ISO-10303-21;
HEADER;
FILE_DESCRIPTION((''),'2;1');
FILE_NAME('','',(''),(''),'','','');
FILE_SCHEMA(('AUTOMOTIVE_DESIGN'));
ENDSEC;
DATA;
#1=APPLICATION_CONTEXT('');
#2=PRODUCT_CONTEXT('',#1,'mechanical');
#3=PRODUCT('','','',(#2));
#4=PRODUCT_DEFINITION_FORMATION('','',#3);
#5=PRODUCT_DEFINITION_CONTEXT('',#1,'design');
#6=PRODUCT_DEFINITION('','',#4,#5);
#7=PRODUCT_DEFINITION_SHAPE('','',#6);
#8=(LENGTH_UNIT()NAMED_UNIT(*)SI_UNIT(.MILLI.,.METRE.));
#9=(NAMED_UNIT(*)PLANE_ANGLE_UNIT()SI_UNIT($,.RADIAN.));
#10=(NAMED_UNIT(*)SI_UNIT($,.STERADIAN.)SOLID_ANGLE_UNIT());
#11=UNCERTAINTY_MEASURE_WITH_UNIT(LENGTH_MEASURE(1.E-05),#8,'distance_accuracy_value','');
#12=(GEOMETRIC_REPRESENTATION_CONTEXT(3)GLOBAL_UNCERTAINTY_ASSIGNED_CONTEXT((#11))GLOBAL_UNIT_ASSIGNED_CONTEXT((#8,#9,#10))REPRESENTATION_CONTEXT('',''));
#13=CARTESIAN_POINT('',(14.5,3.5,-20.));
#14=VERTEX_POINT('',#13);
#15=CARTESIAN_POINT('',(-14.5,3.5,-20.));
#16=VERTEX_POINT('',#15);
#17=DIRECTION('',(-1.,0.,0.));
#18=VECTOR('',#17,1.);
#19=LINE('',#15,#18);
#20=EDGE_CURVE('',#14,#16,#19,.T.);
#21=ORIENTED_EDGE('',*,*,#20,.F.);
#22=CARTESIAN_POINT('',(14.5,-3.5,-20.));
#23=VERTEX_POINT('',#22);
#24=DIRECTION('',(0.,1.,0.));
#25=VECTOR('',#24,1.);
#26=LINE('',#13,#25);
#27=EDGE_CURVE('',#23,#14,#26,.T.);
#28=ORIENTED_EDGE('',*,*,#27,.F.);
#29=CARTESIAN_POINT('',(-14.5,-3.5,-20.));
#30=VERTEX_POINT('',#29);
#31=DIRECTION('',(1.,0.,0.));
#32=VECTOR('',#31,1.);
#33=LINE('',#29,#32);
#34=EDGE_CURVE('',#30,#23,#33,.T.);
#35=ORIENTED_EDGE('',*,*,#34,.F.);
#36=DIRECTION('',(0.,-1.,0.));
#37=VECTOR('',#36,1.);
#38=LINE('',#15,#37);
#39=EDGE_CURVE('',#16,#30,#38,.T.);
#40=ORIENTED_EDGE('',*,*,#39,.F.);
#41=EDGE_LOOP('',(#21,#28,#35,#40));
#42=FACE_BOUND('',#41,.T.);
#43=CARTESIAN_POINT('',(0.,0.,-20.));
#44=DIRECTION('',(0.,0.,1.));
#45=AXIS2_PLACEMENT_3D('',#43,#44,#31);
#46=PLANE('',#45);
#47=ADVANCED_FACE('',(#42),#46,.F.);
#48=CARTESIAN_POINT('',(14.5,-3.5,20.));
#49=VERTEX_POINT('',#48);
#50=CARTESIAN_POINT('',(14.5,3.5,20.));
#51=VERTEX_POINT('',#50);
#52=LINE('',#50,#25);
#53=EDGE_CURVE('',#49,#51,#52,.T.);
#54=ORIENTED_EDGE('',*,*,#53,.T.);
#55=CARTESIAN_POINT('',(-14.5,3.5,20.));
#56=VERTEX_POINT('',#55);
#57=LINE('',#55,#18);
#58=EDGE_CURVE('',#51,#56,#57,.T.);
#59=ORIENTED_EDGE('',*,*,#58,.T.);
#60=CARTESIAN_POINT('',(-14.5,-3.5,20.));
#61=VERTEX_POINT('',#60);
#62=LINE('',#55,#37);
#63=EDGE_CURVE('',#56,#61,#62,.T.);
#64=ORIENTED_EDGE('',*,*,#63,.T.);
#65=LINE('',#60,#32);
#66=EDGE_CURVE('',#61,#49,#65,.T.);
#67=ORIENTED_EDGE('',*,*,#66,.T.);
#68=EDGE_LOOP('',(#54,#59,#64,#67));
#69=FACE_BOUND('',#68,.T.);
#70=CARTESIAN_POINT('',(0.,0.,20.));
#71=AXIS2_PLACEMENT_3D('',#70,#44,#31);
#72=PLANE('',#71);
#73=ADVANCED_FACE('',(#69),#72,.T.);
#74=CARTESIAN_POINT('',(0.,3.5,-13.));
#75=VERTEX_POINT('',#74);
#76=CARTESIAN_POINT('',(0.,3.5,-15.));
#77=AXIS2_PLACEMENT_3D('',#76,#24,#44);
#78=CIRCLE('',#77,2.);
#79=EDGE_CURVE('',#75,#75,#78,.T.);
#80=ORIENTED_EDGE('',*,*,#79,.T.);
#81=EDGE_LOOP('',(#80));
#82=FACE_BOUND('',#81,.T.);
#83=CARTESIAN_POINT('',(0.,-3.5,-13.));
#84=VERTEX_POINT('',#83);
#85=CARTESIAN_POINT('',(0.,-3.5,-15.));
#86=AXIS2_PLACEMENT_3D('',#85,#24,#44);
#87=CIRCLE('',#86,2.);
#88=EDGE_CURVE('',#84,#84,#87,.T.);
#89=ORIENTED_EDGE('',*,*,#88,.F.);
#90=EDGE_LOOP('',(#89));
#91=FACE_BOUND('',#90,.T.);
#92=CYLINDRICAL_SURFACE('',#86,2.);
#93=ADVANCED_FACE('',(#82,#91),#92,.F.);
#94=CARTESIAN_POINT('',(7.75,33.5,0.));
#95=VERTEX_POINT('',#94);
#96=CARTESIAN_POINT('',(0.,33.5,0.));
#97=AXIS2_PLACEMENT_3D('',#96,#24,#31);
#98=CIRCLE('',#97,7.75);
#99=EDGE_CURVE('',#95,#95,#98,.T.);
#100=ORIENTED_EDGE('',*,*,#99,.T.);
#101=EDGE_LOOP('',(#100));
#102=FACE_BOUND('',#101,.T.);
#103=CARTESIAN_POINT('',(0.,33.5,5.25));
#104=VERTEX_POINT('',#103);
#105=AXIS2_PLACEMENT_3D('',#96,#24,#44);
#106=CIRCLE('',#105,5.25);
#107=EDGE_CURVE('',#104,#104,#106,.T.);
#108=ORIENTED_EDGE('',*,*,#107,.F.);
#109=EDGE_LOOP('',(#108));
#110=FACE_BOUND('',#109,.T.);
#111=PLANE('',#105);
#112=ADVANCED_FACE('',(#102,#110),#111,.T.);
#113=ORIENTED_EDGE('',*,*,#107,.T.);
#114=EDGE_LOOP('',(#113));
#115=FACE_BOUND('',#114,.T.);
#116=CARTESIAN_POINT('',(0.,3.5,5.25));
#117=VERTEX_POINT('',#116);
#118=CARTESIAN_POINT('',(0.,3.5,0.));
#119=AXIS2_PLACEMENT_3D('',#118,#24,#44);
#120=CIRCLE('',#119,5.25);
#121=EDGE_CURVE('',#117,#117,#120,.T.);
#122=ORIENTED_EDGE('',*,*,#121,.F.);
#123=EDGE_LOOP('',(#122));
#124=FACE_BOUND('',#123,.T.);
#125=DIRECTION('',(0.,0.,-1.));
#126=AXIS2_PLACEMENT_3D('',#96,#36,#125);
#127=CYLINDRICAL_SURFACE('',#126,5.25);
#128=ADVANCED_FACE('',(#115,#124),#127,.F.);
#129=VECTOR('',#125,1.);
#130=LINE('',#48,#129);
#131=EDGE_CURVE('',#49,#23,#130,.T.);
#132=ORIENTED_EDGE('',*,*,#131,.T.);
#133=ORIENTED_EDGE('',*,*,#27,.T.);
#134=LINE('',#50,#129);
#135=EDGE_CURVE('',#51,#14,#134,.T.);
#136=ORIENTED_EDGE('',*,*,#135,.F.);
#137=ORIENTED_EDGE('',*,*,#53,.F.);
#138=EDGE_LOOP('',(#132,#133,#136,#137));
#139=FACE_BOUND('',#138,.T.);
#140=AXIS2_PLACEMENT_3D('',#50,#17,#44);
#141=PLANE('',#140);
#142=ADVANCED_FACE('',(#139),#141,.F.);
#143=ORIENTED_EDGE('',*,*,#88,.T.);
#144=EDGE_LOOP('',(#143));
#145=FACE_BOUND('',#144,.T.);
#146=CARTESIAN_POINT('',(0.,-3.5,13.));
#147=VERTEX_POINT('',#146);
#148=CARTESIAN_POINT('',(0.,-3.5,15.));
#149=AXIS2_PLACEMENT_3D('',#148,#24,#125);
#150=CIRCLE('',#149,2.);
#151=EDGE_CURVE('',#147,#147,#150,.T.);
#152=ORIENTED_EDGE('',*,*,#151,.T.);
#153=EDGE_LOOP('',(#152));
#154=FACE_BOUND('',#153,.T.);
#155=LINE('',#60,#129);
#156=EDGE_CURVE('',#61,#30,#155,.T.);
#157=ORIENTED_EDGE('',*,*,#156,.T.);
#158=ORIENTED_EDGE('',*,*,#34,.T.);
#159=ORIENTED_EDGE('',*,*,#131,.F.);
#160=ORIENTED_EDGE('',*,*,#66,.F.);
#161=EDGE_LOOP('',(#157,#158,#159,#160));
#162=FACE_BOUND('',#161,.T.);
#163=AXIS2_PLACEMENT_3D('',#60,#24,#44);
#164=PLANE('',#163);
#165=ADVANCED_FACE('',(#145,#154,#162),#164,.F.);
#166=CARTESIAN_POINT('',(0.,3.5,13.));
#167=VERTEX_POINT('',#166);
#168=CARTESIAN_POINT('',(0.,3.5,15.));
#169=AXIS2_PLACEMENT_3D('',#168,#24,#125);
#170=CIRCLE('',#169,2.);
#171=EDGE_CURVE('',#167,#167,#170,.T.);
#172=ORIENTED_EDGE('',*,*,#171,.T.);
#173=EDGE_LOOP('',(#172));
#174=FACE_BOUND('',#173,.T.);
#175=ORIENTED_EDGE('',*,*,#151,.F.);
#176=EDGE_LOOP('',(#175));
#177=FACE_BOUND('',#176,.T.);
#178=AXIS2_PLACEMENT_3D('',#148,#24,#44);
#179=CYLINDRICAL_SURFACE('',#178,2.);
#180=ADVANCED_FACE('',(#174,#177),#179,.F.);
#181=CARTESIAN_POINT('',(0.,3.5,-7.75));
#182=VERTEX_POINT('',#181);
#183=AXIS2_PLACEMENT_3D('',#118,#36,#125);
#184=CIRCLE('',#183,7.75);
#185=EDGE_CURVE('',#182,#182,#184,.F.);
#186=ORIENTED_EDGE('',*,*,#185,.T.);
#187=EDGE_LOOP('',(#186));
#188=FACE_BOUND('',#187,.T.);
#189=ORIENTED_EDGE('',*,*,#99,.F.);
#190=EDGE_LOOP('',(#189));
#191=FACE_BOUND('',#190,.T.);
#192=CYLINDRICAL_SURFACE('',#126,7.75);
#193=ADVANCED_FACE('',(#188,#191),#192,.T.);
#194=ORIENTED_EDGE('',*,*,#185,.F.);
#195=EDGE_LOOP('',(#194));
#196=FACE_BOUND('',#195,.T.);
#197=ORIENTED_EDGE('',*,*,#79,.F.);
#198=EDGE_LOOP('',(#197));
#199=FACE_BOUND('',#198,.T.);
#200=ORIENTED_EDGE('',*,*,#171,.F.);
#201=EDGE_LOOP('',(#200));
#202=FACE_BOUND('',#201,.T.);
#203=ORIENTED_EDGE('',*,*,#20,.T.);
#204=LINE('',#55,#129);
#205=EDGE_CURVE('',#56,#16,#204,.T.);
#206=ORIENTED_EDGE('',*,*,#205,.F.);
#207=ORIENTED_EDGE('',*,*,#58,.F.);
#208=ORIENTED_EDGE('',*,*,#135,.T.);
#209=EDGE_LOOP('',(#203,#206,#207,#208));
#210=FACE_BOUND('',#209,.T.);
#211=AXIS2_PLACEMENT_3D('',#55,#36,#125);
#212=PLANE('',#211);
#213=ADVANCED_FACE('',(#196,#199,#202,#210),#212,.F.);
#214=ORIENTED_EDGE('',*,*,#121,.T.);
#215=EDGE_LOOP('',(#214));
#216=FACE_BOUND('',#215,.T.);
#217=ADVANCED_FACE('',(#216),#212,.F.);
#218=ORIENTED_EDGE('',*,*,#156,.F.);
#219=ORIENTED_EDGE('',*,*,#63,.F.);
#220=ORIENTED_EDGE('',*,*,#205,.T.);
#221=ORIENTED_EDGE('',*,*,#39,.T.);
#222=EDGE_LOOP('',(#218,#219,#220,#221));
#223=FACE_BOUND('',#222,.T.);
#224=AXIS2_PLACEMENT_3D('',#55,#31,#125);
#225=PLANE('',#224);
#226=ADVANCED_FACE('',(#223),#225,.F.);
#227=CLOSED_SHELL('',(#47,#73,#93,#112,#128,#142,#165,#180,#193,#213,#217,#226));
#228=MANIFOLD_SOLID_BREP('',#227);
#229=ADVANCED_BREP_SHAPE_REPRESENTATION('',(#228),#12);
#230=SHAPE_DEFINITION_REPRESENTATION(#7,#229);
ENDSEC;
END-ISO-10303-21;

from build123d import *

# Parameters (mm, degrees)
SKETCH1_W           = 29
SKETCH1_H           = 7
BOSS_EXTRUDE1_DEPTH = 20
SKETCH2_R           = 2
CUT_EXTRUDE1_DEPTH  = 8
SKETCH3_R           = 7.75
SKETCH3_R_2         = 5.25
EXTRUDE_THIN1_DEPTH = 30


with BuildPart() as part:
    # Sketch1 → Boss-Extrude1 (new body, symmetric)
    with BuildSketch(Plane.XY):
        Rectangle(SKETCH1_W, SKETCH1_H)
    extrude(amount=BOSS_EXTRUDE1_DEPTH, both=True)

    # Sketch2 → Cut-Extrude1 (cut, through all)
    with BuildSketch(Plane(origin=(0, 3.5, 0), x_dir=(1, 0, 0), z_dir=(0, 1, 0))):
        with Locations((0, 15)):
            Circle(SKETCH2_R)
        with Locations((0, -15)):
            Circle(SKETCH2_R)
    extrude(amount=-CUT_EXTRUDE1_DEPTH, mode=Mode.SUBTRACT)

    # Sketch3 → Extrude-Thin1 (add)
    with BuildSketch(Plane(origin=(0, 3.5, 0), x_dir=(1, 0, 0), z_dir=(0, 1, 0))):
        Circle(SKETCH3_R)
        Circle(SKETCH3_R_2, mode=Mode.SUBTRACT)
    extrude(amount=EXTRUDE_THIN1_DEPTH)


solid = part.part
